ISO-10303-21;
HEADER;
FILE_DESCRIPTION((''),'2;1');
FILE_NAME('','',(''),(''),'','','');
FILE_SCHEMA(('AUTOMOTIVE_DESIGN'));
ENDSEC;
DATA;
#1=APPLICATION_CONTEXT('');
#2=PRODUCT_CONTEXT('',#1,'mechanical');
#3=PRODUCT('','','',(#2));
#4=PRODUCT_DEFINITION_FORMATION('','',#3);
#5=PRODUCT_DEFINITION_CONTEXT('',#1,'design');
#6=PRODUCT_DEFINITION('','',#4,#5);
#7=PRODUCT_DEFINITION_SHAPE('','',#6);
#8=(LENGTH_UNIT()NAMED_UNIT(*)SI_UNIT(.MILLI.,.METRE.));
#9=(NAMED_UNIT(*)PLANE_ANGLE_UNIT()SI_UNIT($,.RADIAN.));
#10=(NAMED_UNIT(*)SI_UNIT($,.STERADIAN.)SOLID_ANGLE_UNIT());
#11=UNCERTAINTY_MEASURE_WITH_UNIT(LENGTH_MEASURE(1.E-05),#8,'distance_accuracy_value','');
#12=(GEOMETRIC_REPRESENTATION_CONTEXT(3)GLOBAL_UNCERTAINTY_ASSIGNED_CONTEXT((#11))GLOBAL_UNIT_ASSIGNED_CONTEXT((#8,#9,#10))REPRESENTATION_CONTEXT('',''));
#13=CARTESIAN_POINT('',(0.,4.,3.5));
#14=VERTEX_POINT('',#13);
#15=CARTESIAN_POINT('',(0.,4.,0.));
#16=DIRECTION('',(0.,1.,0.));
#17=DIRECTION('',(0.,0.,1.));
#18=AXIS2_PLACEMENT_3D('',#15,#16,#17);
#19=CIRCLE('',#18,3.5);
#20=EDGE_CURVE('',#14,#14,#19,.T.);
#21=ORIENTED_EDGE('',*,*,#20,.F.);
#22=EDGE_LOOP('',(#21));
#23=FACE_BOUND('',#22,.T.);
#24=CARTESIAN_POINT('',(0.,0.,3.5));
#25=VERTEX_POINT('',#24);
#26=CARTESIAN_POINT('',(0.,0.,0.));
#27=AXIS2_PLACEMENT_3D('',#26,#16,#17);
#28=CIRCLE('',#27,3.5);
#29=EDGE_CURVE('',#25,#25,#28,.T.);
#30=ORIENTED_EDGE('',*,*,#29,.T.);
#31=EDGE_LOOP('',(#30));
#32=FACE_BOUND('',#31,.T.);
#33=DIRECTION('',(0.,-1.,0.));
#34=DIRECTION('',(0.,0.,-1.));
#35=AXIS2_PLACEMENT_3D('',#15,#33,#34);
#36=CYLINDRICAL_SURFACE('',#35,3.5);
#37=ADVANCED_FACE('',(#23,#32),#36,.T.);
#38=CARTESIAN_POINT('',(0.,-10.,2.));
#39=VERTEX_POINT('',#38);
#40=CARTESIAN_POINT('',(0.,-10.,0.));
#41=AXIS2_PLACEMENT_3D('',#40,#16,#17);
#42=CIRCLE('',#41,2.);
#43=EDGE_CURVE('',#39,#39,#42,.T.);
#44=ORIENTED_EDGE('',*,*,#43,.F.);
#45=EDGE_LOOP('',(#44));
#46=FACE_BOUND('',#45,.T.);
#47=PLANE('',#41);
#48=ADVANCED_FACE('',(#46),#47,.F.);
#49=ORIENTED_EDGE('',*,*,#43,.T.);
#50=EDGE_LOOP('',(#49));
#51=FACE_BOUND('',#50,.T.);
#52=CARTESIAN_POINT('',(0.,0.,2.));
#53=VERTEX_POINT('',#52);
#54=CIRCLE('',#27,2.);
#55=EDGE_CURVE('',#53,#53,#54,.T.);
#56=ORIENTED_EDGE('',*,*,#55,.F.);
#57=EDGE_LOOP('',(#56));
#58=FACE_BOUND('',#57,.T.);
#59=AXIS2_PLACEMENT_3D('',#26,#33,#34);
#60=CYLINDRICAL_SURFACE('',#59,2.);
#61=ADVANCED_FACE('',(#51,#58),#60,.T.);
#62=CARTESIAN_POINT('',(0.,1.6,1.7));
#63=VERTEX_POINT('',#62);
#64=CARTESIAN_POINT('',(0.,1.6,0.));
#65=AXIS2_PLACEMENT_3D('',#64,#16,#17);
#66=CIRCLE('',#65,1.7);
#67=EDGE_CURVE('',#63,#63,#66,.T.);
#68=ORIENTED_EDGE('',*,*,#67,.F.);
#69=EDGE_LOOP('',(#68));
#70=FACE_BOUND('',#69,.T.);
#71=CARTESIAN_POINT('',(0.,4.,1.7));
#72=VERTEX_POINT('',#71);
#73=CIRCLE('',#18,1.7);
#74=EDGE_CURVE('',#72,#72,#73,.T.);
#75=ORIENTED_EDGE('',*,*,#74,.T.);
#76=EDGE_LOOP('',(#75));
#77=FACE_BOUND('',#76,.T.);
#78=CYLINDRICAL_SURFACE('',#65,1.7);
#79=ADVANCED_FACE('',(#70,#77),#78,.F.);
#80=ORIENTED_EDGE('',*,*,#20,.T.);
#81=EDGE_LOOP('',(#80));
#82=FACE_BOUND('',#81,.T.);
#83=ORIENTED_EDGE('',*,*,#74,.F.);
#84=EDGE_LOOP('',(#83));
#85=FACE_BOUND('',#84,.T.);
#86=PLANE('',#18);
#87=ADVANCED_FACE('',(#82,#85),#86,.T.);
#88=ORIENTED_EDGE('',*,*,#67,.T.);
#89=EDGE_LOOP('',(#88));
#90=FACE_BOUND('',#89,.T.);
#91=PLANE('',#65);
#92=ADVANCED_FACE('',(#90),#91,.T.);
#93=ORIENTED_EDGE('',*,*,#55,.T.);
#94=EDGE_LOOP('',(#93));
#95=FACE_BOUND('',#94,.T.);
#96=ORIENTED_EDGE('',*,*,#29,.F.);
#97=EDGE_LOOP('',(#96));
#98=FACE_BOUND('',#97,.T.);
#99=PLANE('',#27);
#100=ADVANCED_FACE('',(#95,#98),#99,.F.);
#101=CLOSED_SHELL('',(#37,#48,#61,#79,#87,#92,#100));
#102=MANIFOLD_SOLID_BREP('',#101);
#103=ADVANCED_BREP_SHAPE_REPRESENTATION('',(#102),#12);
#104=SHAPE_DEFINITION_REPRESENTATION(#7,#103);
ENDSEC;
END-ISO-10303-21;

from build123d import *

# Parameters (mm, degrees)
SKETCH1_R    = 3.5
HEAD_DEPTH   = 4
SHANK_START  = -10
SKETCH2_R    = 2
SHANK_DEPTH  = 10
SOCKET_START = 4
SKETCH3_R    = 1.7
SOCKET_DEPTH = 2.4


with BuildPart() as part:
    # Sketch1 → Head (new body)
    with BuildSketch(Plane(origin=(0, 0, 0), x_dir=(1, 0, 0), z_dir=(0, 1, 0))):
        with Locations(Location((0, 0, 0), (0, 0, 270))):
            Circle(SKETCH1_R)
    extrude(amount=HEAD_DEPTH)

    # Sketch2 → Shank (add)
    with BuildSketch(Plane(origin=(0, 0, 0), x_dir=(1, 0, 0), z_dir=(0, 1, 0)).offset(SHANK_START)):
        with Locations(Location((0, 0, 0), (0, 0, 270))):
            Circle(SKETCH2_R)
    extrude(amount=SHANK_DEPTH)

    # Sketch3 → Socket (cut)
    with BuildSketch(Plane(origin=(0, 0, 0), x_dir=(1, 0, 0), z_dir=(0, 1, 0)).offset(SOCKET_START)):
        with Locations(Location((0, 0, 0), (0, 0, 270))):
            Circle(SKETCH3_R)
    extrude(amount=-SOCKET_DEPTH, mode=Mode.SUBTRACT)


solid = part.part
